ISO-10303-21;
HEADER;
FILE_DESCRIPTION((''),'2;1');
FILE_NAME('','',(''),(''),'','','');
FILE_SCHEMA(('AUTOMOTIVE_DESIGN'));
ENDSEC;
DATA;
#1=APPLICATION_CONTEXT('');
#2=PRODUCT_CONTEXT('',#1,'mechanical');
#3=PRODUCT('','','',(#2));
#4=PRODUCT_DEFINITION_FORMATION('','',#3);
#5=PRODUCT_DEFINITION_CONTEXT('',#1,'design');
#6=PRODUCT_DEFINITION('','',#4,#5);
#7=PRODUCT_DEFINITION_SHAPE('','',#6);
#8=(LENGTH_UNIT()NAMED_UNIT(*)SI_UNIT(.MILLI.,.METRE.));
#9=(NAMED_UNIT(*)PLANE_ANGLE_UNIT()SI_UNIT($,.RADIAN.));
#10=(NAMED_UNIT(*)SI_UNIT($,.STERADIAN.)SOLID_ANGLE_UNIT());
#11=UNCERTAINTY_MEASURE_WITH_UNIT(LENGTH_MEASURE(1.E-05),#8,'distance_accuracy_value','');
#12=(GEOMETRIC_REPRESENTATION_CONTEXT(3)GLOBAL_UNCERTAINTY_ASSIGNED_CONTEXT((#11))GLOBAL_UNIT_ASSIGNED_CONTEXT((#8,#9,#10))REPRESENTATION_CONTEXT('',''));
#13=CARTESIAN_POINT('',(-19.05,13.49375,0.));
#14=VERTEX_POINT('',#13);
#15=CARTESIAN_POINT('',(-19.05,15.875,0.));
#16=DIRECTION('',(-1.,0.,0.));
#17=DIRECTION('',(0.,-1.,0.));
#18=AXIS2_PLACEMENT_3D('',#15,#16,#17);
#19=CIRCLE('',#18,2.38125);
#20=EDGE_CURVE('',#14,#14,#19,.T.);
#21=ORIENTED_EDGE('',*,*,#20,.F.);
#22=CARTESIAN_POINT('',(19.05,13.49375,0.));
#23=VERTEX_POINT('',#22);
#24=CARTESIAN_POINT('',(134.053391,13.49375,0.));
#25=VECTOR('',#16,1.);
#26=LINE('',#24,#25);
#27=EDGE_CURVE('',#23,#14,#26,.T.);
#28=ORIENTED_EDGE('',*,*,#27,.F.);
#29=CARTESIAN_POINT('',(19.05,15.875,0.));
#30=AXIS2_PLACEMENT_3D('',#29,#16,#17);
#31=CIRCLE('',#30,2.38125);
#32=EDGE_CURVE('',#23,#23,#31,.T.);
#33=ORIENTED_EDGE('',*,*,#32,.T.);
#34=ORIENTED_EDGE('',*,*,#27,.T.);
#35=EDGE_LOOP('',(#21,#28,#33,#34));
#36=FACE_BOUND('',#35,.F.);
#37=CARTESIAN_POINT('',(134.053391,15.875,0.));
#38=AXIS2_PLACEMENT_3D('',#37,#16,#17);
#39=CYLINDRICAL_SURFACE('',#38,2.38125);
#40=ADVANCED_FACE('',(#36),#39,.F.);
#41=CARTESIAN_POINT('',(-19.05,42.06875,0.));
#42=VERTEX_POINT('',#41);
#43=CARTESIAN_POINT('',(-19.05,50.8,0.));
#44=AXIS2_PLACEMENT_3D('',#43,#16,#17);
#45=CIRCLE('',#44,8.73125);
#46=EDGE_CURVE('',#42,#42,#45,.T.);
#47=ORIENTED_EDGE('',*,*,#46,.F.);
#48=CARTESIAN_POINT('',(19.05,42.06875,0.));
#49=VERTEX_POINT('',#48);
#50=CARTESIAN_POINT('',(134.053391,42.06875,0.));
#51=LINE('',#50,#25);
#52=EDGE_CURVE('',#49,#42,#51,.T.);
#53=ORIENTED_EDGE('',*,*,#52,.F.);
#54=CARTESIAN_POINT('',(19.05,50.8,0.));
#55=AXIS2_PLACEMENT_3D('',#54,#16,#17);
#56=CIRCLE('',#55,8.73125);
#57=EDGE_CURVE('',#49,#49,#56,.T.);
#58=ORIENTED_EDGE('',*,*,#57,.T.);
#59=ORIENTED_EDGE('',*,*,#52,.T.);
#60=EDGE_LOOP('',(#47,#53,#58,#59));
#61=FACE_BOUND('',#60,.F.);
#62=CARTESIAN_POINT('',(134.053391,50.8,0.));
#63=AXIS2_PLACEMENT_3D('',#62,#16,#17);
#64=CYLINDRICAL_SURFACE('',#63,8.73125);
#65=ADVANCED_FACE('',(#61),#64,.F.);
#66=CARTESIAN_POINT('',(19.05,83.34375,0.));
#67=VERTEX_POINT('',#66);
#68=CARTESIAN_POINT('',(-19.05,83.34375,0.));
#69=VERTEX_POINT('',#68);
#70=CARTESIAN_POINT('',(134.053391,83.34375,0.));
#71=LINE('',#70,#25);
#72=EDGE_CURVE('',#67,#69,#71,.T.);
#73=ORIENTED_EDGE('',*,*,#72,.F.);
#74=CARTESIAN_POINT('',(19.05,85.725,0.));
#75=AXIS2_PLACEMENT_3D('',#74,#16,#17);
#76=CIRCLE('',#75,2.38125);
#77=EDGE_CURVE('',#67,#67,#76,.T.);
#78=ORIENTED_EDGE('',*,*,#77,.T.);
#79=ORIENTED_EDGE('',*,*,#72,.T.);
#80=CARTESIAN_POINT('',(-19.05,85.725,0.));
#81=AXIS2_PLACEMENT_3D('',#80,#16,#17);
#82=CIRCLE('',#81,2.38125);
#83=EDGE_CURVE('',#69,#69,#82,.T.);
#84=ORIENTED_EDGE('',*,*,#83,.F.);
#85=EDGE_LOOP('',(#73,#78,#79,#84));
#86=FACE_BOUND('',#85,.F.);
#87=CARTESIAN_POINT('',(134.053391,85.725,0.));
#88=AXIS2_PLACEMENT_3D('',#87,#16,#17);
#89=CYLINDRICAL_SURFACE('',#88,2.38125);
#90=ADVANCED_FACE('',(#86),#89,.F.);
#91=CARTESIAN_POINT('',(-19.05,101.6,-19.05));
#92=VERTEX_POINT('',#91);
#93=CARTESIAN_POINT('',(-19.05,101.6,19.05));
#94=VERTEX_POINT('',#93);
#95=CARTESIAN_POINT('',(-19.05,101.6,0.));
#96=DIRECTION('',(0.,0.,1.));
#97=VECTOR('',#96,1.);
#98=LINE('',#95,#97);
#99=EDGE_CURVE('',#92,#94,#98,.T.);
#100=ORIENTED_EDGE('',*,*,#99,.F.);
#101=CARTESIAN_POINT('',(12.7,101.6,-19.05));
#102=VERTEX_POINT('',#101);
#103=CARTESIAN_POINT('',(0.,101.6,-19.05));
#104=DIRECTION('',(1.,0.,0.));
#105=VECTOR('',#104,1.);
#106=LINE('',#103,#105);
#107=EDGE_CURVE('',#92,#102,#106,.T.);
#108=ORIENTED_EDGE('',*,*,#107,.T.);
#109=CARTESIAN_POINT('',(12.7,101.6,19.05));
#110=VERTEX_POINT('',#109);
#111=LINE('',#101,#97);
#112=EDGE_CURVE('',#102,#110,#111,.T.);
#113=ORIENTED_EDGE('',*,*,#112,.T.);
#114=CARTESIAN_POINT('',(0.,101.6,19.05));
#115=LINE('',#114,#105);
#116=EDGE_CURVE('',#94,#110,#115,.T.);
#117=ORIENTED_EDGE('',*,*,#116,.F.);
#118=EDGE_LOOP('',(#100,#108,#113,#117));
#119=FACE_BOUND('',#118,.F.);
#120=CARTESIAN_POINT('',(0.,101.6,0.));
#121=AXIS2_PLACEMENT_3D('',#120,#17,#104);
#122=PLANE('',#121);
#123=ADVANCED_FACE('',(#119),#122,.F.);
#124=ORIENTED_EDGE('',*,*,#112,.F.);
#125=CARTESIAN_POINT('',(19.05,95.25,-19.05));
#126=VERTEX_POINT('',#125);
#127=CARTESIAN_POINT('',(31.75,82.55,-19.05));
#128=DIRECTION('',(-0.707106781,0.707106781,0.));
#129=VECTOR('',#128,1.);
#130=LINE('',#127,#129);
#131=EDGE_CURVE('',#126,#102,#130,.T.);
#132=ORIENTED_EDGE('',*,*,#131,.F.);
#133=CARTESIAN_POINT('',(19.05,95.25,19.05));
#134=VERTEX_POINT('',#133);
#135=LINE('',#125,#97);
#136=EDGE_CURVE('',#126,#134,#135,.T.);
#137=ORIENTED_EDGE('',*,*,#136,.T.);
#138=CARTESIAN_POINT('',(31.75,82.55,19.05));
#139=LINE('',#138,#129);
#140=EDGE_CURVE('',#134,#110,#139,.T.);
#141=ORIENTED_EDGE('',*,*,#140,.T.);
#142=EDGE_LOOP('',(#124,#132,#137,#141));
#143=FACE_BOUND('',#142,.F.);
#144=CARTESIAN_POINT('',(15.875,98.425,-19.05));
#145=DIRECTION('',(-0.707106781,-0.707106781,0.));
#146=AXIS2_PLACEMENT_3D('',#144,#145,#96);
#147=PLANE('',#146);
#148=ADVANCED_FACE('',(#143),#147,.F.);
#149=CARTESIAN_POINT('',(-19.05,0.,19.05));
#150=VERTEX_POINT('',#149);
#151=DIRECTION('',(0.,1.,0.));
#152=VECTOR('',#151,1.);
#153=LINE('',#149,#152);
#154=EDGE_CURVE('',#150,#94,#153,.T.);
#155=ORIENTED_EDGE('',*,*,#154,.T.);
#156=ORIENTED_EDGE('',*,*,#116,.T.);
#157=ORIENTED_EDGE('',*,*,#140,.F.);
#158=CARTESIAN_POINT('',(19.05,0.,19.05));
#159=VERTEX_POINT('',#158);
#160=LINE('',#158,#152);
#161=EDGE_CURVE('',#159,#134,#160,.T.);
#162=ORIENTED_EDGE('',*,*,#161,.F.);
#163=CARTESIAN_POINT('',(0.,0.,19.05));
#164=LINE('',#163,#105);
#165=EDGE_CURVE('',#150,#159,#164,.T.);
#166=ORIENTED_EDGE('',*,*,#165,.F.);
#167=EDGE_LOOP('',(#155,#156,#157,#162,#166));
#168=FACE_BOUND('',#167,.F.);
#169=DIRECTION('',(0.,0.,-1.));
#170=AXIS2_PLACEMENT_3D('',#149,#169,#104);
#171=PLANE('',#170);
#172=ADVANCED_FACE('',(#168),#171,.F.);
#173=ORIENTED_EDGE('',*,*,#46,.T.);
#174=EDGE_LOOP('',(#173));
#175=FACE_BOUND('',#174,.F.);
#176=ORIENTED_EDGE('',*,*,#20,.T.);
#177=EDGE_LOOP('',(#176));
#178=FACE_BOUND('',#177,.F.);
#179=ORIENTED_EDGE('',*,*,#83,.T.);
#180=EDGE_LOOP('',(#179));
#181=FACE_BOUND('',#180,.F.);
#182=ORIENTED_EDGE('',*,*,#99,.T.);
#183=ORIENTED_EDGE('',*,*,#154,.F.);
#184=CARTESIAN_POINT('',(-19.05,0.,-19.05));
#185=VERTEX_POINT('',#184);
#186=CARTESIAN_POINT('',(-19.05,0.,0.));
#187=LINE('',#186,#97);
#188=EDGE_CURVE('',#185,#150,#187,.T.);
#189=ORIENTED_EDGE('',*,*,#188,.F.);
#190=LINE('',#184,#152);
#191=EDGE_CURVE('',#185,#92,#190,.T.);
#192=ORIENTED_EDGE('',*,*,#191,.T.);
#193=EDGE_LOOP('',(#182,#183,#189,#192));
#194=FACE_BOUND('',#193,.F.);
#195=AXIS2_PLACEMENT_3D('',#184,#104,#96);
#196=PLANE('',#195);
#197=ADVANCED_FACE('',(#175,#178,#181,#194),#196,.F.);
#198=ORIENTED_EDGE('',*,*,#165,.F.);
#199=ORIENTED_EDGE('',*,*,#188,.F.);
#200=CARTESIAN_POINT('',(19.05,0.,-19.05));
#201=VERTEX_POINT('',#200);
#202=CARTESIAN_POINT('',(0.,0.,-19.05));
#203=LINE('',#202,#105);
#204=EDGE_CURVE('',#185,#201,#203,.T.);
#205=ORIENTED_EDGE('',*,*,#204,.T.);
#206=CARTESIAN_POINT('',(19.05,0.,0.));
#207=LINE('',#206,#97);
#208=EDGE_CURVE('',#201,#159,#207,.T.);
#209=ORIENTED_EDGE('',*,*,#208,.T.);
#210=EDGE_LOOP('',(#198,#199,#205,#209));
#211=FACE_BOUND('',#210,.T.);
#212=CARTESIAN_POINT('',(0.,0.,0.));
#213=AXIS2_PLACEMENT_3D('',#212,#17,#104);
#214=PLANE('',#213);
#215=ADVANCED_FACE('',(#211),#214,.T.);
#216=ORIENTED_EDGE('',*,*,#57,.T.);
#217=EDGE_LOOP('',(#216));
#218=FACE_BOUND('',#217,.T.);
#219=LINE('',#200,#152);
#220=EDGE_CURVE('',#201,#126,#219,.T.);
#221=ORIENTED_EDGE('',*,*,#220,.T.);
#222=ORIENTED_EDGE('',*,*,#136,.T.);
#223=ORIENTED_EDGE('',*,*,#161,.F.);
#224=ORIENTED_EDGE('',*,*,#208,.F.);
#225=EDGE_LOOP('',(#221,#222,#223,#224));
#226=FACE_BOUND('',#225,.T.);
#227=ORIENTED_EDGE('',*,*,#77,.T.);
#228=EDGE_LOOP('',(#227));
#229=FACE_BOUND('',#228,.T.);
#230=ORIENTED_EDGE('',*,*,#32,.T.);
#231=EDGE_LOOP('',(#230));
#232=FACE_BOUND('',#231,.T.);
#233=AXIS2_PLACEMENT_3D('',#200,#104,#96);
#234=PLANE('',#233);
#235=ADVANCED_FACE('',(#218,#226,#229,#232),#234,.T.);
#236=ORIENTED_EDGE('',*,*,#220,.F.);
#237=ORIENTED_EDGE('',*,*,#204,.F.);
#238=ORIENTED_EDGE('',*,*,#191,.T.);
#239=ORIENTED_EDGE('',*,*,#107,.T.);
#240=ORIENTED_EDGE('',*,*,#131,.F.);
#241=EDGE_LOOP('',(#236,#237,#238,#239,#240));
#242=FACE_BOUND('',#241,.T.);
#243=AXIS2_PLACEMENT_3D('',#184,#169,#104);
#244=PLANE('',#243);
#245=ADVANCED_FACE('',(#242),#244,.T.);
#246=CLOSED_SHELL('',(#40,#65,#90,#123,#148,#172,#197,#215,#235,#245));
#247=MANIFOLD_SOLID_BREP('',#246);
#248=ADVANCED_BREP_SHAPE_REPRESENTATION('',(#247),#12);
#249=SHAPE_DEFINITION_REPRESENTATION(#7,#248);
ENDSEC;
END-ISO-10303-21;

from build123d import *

# Parameters (mm, degrees)
F0_W     = 38.1
F0_H     = 38.1
F1_DEPTH = 101.6
F2_SIZE  = 6.35
F4_D     = 17.4625
F5_D     = 4.7625


with BuildPart() as f1:
    # F0 (on Front) → F1 (new body)
    with BuildSketch(Plane.XZ):
        Rectangle(F0_W, F0_H)
    extrude(amount=-F1_DEPTH)

    # F2
    f2_edges = [f1.edges().sort_by_distance(p)[0] for p in [
        (19.05, 101.6, 0),
    ]]
    chamfer(f2_edges, length=F2_SIZE)

    # F4 (through all)
    with Locations(Plane.YZ.offset(19.05)):
        with Locations((50.8, 0)):
            Hole(F4_D / 2)

    # F5 (through all)
    with Locations(Plane.YZ.offset(19.05)):
        with Locations((15.875, 0), (85.725, 0)):
            Hole(F5_D / 2)


solid = f1.part
